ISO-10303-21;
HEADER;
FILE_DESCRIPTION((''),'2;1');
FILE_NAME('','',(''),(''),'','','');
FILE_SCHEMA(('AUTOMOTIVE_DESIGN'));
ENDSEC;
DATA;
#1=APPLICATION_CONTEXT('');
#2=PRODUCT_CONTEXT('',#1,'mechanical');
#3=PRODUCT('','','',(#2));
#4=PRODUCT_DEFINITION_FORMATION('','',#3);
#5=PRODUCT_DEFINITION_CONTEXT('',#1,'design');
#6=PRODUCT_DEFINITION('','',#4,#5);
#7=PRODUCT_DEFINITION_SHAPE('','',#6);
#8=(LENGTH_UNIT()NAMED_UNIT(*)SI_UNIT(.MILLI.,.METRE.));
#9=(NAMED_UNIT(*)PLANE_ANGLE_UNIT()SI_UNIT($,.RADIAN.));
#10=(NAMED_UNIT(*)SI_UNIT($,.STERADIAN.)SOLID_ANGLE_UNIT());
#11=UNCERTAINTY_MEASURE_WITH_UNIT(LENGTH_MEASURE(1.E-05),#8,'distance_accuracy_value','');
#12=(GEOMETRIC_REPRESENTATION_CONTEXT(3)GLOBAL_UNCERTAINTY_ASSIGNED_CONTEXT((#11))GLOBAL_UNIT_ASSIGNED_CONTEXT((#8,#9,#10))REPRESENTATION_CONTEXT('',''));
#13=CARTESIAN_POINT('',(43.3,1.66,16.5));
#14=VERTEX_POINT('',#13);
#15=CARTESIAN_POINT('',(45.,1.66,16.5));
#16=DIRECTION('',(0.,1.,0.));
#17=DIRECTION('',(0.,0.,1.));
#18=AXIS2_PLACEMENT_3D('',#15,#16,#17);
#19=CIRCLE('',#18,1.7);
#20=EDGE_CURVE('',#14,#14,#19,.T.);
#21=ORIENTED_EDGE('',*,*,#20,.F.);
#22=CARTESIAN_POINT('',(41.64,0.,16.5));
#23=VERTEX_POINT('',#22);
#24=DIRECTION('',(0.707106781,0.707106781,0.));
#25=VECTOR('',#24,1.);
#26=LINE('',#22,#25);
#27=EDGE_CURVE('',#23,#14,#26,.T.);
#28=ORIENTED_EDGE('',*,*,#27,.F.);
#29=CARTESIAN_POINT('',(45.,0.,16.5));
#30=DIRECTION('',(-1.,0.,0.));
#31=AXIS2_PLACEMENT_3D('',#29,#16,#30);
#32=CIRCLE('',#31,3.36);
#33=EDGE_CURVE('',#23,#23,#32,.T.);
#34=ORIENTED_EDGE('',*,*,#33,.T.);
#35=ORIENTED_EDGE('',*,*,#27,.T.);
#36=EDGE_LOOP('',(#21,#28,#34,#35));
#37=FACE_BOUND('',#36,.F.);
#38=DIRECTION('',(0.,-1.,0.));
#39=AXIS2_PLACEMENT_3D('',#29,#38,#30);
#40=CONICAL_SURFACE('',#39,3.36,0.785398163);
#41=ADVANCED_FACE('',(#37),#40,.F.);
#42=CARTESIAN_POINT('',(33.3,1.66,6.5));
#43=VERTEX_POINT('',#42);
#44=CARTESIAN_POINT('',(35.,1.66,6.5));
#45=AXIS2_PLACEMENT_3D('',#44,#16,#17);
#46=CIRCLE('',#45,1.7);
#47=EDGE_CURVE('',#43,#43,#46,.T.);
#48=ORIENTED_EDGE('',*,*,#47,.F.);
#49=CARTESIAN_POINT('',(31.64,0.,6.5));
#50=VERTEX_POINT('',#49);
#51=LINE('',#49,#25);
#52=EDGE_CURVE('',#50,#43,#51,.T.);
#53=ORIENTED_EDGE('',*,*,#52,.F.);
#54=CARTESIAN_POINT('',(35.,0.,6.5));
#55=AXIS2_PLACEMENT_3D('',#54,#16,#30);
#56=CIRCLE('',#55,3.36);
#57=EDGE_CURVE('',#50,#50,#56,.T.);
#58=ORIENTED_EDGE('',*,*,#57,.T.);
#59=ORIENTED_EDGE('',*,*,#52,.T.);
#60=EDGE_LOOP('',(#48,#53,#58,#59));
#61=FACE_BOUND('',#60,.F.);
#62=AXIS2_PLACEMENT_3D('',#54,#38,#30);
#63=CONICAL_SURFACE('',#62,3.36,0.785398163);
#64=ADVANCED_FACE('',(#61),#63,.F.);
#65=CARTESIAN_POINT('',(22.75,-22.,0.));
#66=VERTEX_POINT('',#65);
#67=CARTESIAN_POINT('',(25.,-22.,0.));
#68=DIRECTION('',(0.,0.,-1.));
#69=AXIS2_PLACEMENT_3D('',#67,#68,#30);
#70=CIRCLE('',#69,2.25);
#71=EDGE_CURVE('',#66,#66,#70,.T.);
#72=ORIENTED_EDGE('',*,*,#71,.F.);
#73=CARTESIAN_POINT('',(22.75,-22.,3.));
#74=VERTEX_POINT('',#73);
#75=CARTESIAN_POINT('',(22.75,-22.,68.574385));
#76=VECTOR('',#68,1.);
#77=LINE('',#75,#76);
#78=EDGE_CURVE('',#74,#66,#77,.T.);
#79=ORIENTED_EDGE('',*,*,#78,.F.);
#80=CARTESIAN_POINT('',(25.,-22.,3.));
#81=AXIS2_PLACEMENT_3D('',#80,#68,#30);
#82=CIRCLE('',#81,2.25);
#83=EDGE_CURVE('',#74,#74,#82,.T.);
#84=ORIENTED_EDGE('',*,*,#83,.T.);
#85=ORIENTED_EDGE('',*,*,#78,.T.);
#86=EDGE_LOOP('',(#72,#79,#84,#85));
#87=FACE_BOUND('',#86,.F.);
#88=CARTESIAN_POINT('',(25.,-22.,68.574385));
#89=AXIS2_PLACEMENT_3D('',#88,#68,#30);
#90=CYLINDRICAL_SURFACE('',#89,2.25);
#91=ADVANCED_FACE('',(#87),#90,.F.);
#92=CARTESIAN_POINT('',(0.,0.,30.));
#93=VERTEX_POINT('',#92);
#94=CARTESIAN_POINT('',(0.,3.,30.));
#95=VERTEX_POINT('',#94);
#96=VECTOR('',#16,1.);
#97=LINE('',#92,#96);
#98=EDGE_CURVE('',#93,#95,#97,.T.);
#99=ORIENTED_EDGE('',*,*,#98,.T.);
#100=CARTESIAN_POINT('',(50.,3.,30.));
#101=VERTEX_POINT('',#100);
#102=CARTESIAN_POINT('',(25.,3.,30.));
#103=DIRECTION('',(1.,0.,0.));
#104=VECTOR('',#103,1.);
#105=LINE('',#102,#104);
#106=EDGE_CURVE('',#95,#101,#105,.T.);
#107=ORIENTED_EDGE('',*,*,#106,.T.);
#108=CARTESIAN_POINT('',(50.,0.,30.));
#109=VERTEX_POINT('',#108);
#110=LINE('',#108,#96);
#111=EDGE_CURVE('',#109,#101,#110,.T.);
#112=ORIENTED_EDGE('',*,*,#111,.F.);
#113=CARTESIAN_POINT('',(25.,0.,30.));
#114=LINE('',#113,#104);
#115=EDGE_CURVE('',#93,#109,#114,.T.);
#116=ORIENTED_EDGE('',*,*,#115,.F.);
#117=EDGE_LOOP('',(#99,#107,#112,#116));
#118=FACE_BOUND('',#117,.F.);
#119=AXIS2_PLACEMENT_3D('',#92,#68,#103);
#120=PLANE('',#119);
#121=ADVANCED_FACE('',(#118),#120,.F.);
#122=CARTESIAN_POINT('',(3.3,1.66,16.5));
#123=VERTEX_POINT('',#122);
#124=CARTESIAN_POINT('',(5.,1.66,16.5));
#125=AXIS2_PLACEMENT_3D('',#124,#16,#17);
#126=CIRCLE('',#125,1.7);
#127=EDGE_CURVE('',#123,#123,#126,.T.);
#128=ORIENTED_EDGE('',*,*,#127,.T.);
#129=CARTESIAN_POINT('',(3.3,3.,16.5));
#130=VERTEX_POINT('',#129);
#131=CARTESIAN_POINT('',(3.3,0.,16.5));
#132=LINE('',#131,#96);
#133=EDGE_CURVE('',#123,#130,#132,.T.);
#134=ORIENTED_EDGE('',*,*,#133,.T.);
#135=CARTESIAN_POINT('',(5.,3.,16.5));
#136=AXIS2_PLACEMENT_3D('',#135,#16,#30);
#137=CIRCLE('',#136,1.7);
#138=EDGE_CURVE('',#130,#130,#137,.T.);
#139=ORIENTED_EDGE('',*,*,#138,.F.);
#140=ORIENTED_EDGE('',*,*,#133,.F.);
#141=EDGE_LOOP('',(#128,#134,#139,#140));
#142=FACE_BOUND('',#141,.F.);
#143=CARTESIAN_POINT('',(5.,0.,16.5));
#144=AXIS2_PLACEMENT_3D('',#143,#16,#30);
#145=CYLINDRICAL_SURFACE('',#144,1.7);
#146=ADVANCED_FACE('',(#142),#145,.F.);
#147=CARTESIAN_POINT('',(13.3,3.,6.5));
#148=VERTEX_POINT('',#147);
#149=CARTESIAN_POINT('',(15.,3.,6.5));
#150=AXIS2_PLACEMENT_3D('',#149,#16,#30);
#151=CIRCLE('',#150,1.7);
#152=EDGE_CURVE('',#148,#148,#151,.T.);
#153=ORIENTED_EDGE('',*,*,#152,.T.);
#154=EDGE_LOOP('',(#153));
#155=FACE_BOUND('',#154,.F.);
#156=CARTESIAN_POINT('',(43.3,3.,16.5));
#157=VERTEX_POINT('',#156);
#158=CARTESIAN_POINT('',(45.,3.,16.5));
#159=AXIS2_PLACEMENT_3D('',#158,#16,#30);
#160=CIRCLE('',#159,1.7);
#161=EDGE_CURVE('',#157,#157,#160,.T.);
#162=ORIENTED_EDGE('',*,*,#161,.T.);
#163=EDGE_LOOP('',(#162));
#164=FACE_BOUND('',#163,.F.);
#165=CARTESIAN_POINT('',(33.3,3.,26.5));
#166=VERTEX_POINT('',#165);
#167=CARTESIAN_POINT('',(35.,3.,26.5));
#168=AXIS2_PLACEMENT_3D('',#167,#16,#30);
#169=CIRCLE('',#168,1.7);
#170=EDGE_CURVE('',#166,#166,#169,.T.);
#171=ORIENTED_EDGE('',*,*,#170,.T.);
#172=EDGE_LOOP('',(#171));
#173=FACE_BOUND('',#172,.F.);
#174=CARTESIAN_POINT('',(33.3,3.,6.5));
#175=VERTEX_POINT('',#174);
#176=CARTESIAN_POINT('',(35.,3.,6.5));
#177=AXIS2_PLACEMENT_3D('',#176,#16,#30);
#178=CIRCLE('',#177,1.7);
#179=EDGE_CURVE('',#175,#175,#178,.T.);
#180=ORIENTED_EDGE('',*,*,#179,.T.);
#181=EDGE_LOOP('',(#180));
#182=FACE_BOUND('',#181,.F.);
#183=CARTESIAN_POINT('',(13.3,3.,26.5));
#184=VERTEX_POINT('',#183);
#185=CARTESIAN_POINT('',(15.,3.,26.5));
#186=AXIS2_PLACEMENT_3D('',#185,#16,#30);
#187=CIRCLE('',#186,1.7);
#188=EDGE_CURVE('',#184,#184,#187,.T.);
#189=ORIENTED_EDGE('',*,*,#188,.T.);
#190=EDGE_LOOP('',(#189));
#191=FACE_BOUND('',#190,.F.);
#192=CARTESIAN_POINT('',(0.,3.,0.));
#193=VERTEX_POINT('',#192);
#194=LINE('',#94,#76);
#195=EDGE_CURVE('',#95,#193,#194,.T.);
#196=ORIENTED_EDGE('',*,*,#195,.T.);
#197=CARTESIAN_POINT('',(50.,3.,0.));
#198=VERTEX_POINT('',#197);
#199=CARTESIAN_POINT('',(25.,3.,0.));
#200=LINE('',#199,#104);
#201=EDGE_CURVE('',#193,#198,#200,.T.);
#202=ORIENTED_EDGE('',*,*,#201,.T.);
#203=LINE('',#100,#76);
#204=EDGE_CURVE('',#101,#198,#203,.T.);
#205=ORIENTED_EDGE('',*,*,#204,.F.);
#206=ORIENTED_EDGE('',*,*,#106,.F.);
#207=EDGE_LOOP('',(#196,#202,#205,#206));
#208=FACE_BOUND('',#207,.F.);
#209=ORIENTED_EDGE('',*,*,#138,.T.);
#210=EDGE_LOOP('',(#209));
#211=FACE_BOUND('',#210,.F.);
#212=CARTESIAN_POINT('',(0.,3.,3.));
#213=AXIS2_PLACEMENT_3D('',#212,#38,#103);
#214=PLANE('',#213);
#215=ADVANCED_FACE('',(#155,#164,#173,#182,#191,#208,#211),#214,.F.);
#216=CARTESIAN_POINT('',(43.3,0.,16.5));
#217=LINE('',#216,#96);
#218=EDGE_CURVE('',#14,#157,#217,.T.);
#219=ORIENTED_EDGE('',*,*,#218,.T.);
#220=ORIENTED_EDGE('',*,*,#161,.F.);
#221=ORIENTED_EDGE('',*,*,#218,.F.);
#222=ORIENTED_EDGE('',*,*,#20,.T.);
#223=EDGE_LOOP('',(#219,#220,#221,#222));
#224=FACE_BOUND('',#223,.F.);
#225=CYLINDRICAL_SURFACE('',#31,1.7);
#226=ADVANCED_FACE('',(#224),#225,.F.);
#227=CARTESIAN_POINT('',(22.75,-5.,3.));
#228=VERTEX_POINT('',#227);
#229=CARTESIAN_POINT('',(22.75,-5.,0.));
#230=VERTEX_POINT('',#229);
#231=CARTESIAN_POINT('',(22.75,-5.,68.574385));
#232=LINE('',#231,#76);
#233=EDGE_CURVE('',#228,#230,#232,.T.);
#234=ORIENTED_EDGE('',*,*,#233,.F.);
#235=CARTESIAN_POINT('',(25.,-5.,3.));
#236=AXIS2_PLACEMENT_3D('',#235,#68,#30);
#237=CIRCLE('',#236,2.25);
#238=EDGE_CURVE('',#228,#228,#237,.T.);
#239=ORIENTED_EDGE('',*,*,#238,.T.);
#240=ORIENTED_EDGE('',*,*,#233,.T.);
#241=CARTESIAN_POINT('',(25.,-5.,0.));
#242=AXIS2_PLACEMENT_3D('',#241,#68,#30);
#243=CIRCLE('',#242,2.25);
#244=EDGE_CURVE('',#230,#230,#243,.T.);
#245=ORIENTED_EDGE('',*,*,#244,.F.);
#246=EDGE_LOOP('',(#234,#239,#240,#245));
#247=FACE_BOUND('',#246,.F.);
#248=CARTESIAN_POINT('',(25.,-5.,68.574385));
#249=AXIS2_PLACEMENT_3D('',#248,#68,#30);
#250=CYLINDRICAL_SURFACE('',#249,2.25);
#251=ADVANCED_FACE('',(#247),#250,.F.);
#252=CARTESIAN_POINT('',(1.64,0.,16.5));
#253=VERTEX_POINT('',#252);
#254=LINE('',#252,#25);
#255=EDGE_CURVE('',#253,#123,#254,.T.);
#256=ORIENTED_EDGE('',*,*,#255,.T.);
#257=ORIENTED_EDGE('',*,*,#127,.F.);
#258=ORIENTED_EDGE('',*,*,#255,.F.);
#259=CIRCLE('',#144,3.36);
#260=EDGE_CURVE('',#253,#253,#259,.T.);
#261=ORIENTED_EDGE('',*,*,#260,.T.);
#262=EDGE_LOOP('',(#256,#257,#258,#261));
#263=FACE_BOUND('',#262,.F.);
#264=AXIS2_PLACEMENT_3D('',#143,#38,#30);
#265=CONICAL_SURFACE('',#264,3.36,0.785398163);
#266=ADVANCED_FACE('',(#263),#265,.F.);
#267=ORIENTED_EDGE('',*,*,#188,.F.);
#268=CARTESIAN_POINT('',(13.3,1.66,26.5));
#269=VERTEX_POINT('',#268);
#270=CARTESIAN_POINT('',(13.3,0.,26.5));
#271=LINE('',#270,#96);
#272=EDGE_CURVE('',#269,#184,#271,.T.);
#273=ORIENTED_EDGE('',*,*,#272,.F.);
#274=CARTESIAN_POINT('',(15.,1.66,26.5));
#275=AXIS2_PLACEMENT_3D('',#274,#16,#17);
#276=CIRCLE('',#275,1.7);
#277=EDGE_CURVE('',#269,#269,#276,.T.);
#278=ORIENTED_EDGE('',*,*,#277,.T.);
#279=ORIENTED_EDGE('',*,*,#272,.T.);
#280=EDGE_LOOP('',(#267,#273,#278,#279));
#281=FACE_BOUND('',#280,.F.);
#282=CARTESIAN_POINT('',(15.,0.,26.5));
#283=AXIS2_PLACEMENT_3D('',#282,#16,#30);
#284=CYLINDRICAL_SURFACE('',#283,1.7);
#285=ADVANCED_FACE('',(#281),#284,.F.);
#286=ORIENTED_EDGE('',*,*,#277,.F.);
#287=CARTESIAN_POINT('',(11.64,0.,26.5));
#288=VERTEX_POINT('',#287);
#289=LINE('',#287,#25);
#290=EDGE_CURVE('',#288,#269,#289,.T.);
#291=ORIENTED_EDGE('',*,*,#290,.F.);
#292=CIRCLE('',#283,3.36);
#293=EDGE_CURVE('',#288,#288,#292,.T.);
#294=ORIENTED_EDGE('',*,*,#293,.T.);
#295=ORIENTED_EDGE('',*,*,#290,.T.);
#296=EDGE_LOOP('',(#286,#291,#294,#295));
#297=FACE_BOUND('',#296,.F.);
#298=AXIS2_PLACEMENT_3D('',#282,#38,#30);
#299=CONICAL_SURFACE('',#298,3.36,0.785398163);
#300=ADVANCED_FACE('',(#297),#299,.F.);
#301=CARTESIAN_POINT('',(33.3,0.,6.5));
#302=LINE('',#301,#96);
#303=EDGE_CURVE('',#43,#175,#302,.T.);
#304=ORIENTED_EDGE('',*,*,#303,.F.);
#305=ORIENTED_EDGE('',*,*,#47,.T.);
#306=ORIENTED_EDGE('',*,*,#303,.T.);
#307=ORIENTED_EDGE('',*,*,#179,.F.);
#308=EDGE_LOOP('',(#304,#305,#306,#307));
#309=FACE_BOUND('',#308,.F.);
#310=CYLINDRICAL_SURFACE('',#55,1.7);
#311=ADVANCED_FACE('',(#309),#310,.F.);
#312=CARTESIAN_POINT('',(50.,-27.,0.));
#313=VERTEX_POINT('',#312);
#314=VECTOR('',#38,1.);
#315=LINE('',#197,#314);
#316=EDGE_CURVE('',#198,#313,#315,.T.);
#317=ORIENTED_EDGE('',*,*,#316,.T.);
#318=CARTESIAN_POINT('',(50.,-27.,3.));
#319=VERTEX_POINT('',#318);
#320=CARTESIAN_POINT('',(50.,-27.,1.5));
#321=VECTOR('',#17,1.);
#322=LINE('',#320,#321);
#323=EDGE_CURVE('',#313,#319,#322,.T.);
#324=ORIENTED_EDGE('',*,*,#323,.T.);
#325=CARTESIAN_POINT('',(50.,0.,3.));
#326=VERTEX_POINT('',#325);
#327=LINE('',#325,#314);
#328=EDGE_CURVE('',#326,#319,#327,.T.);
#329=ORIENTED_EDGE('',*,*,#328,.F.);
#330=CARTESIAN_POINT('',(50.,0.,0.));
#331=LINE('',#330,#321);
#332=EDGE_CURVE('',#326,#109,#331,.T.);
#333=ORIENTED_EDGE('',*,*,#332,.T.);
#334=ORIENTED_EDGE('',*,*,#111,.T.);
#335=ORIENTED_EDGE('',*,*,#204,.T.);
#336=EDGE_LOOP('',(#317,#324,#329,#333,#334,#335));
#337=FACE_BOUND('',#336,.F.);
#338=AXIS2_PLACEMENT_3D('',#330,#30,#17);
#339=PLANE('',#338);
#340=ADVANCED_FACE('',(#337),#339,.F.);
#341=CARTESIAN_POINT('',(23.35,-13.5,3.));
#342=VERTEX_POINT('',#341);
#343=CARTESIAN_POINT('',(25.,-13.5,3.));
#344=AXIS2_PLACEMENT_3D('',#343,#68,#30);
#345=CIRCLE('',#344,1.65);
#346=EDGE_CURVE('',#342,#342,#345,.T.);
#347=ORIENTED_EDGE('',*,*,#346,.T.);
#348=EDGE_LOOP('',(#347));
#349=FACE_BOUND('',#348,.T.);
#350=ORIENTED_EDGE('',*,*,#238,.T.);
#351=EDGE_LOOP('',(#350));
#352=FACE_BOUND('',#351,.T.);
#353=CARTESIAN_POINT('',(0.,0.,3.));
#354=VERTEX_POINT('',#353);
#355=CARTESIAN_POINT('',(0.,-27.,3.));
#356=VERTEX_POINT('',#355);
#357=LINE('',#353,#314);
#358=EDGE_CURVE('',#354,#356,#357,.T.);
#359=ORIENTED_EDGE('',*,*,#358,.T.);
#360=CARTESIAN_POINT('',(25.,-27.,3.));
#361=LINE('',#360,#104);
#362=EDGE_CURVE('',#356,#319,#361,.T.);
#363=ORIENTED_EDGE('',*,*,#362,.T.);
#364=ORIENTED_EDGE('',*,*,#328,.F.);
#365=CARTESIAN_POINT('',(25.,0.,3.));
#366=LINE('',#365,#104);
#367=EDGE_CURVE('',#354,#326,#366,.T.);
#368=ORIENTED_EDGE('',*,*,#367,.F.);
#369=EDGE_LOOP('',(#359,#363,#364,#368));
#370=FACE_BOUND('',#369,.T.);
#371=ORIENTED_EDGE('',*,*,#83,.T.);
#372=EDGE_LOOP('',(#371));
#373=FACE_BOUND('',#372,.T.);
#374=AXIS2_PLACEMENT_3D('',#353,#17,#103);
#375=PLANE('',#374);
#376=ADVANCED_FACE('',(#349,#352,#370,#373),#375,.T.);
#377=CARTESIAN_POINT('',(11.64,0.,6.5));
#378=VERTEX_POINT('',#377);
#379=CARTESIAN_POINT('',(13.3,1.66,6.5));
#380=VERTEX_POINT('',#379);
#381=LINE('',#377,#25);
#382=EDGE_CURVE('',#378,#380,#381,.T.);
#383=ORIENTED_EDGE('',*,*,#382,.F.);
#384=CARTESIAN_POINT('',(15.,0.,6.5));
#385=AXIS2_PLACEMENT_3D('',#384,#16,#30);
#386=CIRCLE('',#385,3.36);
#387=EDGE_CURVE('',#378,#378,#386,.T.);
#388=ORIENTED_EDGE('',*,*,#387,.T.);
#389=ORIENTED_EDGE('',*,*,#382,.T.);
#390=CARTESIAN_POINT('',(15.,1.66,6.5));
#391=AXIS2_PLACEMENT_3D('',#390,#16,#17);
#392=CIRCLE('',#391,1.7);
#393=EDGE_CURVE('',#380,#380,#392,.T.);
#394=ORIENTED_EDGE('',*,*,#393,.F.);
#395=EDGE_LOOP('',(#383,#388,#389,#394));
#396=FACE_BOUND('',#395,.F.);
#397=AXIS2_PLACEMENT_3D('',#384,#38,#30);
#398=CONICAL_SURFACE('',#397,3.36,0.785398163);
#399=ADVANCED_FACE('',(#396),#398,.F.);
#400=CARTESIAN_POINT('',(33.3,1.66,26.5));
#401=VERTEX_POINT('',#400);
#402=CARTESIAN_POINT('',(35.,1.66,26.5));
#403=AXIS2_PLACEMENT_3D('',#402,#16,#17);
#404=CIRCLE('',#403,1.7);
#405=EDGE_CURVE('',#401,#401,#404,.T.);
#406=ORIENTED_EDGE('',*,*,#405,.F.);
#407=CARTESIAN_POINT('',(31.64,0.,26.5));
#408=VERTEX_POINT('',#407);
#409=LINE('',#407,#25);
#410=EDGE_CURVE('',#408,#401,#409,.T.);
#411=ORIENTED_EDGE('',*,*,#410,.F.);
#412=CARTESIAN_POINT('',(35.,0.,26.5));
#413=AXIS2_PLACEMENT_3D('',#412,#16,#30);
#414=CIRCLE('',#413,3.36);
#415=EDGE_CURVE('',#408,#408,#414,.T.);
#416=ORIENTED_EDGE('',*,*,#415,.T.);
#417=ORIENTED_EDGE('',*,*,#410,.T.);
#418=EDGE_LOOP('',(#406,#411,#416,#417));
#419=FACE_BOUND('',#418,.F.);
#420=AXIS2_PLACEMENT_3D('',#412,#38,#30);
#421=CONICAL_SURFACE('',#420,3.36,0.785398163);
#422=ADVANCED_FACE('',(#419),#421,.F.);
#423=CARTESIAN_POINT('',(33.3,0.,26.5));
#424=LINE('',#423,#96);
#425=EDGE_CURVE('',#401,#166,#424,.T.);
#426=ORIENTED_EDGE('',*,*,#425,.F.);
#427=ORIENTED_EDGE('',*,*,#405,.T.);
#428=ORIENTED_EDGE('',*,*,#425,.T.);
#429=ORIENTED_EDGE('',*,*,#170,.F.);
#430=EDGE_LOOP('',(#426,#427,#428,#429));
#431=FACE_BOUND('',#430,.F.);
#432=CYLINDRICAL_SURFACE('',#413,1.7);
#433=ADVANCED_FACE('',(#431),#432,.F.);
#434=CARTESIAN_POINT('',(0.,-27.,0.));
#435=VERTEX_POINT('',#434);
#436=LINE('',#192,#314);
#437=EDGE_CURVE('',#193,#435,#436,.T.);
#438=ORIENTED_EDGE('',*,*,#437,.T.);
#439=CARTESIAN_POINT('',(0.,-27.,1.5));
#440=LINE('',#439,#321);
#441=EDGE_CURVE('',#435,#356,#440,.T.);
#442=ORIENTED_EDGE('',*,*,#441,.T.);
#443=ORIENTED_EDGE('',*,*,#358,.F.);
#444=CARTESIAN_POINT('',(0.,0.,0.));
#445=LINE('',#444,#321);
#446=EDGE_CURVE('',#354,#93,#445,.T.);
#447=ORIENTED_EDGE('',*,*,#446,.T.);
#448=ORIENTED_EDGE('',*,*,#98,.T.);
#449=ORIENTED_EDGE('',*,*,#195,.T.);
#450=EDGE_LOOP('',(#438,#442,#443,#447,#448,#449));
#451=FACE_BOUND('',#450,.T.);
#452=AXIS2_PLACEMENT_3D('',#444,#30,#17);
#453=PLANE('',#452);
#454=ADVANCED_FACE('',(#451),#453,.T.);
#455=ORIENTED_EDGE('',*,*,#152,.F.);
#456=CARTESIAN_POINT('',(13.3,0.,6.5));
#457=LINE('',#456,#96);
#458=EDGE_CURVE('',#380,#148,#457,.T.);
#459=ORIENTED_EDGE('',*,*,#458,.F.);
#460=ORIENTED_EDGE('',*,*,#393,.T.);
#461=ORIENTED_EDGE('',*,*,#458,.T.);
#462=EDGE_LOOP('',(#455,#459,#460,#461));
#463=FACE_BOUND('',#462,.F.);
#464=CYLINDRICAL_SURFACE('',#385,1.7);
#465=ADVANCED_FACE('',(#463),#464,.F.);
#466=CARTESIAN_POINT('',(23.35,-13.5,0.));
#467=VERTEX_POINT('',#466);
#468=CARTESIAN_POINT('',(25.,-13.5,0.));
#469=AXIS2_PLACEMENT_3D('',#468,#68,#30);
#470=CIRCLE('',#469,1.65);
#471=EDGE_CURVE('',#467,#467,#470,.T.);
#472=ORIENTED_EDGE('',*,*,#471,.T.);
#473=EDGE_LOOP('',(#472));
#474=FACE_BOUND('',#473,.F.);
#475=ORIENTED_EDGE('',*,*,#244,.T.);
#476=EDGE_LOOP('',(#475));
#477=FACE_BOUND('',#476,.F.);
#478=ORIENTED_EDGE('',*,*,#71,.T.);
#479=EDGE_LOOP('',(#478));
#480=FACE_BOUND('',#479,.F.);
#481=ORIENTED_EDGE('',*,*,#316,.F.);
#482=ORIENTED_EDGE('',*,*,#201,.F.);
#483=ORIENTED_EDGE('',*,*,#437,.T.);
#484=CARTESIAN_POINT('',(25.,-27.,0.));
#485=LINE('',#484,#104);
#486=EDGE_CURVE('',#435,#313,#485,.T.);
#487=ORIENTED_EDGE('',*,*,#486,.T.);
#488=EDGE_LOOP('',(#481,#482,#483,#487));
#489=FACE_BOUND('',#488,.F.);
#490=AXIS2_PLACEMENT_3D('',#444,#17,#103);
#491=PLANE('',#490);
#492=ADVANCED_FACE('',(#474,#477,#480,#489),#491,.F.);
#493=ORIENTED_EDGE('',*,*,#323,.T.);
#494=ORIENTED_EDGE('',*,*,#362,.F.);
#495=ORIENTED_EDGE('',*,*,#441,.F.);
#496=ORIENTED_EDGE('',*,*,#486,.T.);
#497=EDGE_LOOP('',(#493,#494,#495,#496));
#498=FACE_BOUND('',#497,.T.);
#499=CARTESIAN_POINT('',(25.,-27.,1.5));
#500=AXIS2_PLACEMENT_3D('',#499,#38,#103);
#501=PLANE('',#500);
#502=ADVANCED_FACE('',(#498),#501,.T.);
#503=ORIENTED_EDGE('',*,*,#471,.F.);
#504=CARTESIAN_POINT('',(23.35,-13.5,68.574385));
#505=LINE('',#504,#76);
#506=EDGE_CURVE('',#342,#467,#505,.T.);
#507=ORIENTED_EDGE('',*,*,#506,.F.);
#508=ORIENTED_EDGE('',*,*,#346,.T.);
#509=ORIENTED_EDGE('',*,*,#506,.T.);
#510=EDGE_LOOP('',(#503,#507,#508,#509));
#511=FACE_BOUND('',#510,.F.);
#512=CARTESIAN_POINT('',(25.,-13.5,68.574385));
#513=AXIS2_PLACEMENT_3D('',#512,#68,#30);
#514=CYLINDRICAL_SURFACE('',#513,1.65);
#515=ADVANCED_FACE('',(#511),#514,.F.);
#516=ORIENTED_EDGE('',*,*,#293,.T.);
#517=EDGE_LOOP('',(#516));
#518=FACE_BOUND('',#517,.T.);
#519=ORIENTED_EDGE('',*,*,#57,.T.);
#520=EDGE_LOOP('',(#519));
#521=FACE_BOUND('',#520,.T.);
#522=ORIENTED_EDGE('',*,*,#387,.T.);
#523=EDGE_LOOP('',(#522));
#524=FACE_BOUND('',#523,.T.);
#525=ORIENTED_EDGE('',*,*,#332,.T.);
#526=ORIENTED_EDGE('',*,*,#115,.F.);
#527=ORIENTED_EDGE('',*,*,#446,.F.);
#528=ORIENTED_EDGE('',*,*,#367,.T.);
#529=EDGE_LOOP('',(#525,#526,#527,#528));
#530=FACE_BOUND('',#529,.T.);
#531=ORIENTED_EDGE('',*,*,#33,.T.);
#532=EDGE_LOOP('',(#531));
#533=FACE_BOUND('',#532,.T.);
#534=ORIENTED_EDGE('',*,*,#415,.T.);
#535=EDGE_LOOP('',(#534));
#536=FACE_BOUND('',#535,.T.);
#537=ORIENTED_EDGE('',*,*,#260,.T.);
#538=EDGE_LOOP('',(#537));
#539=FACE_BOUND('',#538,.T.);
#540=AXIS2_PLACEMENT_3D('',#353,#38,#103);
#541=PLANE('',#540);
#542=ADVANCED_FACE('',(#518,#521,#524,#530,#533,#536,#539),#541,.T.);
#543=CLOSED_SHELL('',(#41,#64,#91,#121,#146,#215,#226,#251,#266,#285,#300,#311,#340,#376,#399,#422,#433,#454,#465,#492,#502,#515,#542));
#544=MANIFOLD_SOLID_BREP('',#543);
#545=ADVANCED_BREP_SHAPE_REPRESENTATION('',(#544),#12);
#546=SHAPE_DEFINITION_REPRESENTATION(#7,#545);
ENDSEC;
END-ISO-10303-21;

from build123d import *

# Parameters (mm, degrees)
F0_W           = 50
F0_H           = 27
F1_DEPTH       = 3
F2_D           = 3.4
F2_CSINK_D     = 6.72
F2_CSINK_ANGLE = 90
F3_DEPTH       = 3
F0_H_2         = 3
F4_DEPTH       = 27
F6_D           = 3.3
F7_D           = 4.5


with BuildPart() as f1:
    # F0 (on Front) → F1 (new body)
    with BuildSketch(Plane.XZ):
        with Locations((25, 16.5)):
            Rectangle(F0_W, F0_H)
    extrude(amount=-F1_DEPTH)

    # F2 (through all)
    with Locations(Plane.XZ):
        with Locations((35, 26.5), (15, 26.5), (15, 6.5), (35, 6.5), (5, 16.5), (45, 16.5)):
            CounterSinkHole(F2_D / 2, F2_CSINK_D / 2, counter_sink_angle=F2_CSINK_ANGLE)

    # F3 (add): a face of the model
    f3_faces = [f1.faces().sort_by_distance(p)[0] for p in [
        (25, 1.5, 3),
    ]]
    extrude(f3_faces, amount=F3_DEPTH)

    # F0 (on Front) → F4 (join)
    with BuildSketch(Plane.XZ):
        with Locations((25, 1.5)):
            Rectangle(F0_W, F0_H_2)
    extrude(amount=F4_DEPTH)

    # F6 (through all)
    with Locations(Plane.XY.offset(3)):
        with Locations((25, -13.5)):
            Hole(F6_D / 2)

    # F7 (through all)
    with Locations(Plane.XY.offset(3)):
        with Locations((25, -5), (25, -22)):
            Hole(F7_D / 2)


solid = f1.part
